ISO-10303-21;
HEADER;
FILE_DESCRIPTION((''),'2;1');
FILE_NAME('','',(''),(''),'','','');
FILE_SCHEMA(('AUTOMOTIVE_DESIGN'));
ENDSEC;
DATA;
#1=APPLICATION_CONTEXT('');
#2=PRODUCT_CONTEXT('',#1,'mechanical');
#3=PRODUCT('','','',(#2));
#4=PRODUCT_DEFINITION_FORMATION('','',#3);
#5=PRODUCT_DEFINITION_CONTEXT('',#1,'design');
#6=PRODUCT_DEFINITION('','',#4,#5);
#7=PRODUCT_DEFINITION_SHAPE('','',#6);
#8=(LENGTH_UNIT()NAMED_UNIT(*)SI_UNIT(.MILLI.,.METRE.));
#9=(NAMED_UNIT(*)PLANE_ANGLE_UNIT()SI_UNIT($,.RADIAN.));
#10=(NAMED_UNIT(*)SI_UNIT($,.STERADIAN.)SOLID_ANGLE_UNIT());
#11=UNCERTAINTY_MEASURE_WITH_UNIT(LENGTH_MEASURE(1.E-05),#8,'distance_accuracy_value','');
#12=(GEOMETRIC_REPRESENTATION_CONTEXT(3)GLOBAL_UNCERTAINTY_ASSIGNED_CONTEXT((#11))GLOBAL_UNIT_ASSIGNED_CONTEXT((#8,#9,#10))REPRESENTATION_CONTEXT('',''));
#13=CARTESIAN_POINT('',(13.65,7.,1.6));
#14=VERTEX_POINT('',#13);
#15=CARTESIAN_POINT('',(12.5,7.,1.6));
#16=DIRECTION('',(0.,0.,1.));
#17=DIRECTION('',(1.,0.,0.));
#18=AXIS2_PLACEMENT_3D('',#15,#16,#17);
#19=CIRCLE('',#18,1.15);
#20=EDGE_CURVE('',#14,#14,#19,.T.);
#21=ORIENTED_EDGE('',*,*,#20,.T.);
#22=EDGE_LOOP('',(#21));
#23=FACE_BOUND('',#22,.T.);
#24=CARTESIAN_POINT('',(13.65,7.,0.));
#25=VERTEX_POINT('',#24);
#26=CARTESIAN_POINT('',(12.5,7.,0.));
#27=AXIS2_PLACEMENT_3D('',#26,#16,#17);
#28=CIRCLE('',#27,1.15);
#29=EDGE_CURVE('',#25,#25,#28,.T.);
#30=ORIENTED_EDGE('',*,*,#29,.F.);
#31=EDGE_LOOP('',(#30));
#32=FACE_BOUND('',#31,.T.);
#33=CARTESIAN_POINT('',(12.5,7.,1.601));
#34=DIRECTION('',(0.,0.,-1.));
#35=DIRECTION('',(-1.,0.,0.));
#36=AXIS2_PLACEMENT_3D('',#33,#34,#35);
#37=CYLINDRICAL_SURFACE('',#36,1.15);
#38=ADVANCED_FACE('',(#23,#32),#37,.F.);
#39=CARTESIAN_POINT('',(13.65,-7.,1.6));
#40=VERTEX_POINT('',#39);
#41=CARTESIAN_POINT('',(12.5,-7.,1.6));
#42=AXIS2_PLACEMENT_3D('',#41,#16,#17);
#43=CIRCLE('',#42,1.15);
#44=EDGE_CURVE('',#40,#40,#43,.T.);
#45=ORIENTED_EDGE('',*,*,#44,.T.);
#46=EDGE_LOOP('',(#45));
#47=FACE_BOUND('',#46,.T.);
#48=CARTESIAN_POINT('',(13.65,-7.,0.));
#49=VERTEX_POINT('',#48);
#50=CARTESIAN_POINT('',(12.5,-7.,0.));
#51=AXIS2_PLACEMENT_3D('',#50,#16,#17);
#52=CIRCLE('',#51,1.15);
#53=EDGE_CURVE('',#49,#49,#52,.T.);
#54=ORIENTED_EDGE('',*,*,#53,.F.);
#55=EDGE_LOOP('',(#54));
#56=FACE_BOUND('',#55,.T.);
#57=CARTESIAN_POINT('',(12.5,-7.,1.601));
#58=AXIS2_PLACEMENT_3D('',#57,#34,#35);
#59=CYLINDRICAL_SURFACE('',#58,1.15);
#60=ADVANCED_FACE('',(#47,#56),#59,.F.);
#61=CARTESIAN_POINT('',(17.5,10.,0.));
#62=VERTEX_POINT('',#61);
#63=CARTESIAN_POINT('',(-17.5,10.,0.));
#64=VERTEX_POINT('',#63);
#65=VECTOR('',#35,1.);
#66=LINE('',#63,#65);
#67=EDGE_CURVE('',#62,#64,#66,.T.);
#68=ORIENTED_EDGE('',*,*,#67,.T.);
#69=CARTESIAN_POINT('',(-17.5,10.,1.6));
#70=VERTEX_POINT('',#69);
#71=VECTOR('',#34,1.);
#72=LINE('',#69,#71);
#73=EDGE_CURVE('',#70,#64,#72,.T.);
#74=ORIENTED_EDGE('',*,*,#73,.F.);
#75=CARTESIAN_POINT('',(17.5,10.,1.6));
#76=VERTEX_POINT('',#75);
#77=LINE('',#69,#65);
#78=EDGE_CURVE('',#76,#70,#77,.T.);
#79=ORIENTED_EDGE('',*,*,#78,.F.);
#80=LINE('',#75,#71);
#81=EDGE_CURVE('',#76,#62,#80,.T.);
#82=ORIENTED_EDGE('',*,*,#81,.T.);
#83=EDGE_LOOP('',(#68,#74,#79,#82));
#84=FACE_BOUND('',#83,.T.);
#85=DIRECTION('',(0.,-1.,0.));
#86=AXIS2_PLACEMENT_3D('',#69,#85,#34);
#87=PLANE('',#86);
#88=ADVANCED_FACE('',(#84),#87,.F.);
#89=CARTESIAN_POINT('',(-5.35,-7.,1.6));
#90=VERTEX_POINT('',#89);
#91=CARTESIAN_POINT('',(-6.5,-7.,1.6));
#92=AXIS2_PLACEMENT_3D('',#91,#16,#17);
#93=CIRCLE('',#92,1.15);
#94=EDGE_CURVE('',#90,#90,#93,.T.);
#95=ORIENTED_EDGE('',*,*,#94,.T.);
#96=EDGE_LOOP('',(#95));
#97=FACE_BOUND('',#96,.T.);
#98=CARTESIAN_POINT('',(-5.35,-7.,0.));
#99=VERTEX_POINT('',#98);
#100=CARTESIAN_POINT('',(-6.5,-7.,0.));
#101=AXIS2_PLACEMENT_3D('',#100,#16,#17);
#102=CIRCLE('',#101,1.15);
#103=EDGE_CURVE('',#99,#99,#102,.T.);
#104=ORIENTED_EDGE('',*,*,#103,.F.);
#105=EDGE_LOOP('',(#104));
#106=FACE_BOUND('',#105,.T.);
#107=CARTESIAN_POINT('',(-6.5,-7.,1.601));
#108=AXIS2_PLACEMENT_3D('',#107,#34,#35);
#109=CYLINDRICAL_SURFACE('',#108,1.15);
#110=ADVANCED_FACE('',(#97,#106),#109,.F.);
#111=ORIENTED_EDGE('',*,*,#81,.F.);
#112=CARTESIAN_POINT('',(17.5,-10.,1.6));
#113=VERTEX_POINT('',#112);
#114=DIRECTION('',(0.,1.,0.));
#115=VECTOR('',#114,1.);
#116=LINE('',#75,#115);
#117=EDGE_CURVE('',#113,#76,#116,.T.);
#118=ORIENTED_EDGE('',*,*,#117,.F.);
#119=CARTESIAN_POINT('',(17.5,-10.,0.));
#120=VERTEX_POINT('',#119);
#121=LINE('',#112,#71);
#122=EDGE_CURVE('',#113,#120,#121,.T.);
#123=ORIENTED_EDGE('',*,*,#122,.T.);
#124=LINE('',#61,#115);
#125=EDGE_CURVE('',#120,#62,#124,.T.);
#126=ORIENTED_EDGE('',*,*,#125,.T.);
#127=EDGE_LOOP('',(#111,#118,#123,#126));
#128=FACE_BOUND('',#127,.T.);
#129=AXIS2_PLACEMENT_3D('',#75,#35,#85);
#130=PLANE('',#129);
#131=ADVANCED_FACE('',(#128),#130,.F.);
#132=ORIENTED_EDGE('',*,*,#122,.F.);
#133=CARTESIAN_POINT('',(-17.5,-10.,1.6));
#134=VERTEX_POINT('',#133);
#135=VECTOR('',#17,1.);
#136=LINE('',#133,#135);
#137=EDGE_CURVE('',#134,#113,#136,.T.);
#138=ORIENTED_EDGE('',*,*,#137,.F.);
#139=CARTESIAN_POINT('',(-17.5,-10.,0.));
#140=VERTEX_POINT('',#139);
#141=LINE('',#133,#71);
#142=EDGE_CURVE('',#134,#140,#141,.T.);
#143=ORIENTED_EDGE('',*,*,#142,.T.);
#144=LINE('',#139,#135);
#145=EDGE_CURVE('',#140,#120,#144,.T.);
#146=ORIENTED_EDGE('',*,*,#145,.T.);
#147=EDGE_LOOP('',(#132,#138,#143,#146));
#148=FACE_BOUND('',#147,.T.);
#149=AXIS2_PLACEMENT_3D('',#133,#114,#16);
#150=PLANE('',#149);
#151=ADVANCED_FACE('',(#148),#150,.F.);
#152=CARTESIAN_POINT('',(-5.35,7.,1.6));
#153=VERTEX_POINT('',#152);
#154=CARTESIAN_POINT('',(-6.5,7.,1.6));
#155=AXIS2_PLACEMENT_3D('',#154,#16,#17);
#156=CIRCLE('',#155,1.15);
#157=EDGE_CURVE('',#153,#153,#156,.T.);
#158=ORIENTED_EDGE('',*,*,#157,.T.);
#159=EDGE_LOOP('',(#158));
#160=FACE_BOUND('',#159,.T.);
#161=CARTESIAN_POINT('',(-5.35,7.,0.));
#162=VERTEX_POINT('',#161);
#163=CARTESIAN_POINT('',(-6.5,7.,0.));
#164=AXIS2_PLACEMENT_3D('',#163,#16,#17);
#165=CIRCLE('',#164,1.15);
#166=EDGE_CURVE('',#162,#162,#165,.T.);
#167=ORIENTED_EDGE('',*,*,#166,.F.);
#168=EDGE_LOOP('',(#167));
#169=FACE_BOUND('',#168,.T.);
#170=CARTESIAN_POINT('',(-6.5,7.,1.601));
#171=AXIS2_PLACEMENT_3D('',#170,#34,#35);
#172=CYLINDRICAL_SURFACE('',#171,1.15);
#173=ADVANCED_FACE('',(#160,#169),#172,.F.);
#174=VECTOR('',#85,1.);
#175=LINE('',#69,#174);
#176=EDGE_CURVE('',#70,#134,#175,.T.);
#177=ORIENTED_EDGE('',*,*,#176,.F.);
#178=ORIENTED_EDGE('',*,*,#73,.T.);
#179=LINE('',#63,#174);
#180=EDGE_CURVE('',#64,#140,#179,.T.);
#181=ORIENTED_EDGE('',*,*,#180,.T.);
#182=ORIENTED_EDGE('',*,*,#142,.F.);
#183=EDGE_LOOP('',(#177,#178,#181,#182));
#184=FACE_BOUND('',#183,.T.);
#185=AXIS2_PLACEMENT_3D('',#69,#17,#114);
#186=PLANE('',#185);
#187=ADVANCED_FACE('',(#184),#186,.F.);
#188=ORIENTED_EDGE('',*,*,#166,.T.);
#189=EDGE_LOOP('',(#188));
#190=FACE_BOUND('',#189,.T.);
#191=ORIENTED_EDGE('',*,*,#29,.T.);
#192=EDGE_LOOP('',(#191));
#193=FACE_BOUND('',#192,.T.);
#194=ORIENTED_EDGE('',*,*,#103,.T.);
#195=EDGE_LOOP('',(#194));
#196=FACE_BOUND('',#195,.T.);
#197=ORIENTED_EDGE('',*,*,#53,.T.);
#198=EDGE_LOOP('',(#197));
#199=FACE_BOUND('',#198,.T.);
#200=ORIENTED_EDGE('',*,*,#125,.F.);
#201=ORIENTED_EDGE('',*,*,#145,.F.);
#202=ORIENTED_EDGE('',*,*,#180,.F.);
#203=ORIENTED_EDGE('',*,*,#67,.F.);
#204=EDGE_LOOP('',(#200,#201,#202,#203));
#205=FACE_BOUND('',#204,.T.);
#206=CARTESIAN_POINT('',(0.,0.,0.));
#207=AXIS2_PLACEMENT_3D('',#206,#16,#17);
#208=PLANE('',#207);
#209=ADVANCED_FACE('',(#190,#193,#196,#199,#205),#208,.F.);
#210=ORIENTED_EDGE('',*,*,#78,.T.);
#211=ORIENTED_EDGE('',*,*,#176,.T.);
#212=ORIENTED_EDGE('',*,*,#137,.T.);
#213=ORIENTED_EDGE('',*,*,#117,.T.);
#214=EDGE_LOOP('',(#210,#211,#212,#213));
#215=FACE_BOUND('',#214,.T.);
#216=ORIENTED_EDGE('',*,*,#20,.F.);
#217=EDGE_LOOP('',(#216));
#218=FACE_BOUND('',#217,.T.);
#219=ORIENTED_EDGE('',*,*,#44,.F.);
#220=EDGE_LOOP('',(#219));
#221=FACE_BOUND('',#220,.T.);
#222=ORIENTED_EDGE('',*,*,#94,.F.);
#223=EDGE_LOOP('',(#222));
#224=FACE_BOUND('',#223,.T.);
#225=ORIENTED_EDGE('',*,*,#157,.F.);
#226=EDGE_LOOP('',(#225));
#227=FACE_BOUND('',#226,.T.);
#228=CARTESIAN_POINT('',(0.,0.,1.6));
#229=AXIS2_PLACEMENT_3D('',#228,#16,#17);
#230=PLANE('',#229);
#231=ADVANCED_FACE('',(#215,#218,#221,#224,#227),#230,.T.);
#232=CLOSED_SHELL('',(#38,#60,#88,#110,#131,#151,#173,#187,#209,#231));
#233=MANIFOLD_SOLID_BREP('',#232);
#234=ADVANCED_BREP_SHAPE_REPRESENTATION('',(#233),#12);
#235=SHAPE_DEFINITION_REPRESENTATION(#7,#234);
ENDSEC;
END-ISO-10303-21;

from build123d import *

# Parameters (mm, degrees)
SKETCH1_W   = 35
SKETCH1_H   = 20
PCB_DEPTH   = 1.6
HOLES_REACH = 22.219
SKETCH2_R   = 1.15


with BuildPart() as part:
    # Sketch1 → PCB (new body)
    with BuildSketch(Plane.XY):
        Rectangle(SKETCH1_W, SKETCH1_H)
    extrude(amount=PCB_DEPTH)

    # Sketch2 → Holes (cut, up to next)
    with BuildSketch(Plane.XY, mode=Mode.PRIVATE) as holes_sk1:
        with Locations((12.5, 7)):
            Circle(SKETCH2_R)
    holes_tool1 = extrude(holes_sk1.sketch, amount=HOLES_REACH, mode=Mode.PRIVATE) & part.part
    # Sketch2 → Holes (cut, up to next)
    with BuildSketch(Plane.XY, mode=Mode.PRIVATE) as holes_sk2:
        with Locations((-6.5, 7)):
            Circle(SKETCH2_R)
    holes_tool2 = extrude(holes_sk2.sketch, amount=HOLES_REACH, mode=Mode.PRIVATE) & part.part
    # Sketch2 → Holes (cut, up to next)
    with BuildSketch(Plane.XY, mode=Mode.PRIVATE) as holes_sk3:
        with Locations((-6.5, -7)):
            Circle(SKETCH2_R)
    holes_tool3 = extrude(holes_sk3.sketch, amount=HOLES_REACH, mode=Mode.PRIVATE) & part.part
    # Sketch2 → Holes (cut, up to next)
    with BuildSketch(Plane.XY, mode=Mode.PRIVATE) as holes_sk4:
        with Locations((12.5, -7)):
            Circle(SKETCH2_R)
    holes_tool4 = extrude(holes_sk4.sketch, amount=HOLES_REACH, mode=Mode.PRIVATE) & part.part
    add(holes_tool1.solids().sort_by_distance((12.5, 7, 0))[0], mode=Mode.SUBTRACT)
    add(holes_tool2.solids().sort_by_distance((-6.5, 7, 0))[0], mode=Mode.SUBTRACT)
    add(holes_tool3.solids().sort_by_distance((-6.5, -7, 0))[0], mode=Mode.SUBTRACT)
    add(holes_tool4.solids().sort_by_distance((12.5, -7, 0))[0], mode=Mode.SUBTRACT)


solid = part.part
